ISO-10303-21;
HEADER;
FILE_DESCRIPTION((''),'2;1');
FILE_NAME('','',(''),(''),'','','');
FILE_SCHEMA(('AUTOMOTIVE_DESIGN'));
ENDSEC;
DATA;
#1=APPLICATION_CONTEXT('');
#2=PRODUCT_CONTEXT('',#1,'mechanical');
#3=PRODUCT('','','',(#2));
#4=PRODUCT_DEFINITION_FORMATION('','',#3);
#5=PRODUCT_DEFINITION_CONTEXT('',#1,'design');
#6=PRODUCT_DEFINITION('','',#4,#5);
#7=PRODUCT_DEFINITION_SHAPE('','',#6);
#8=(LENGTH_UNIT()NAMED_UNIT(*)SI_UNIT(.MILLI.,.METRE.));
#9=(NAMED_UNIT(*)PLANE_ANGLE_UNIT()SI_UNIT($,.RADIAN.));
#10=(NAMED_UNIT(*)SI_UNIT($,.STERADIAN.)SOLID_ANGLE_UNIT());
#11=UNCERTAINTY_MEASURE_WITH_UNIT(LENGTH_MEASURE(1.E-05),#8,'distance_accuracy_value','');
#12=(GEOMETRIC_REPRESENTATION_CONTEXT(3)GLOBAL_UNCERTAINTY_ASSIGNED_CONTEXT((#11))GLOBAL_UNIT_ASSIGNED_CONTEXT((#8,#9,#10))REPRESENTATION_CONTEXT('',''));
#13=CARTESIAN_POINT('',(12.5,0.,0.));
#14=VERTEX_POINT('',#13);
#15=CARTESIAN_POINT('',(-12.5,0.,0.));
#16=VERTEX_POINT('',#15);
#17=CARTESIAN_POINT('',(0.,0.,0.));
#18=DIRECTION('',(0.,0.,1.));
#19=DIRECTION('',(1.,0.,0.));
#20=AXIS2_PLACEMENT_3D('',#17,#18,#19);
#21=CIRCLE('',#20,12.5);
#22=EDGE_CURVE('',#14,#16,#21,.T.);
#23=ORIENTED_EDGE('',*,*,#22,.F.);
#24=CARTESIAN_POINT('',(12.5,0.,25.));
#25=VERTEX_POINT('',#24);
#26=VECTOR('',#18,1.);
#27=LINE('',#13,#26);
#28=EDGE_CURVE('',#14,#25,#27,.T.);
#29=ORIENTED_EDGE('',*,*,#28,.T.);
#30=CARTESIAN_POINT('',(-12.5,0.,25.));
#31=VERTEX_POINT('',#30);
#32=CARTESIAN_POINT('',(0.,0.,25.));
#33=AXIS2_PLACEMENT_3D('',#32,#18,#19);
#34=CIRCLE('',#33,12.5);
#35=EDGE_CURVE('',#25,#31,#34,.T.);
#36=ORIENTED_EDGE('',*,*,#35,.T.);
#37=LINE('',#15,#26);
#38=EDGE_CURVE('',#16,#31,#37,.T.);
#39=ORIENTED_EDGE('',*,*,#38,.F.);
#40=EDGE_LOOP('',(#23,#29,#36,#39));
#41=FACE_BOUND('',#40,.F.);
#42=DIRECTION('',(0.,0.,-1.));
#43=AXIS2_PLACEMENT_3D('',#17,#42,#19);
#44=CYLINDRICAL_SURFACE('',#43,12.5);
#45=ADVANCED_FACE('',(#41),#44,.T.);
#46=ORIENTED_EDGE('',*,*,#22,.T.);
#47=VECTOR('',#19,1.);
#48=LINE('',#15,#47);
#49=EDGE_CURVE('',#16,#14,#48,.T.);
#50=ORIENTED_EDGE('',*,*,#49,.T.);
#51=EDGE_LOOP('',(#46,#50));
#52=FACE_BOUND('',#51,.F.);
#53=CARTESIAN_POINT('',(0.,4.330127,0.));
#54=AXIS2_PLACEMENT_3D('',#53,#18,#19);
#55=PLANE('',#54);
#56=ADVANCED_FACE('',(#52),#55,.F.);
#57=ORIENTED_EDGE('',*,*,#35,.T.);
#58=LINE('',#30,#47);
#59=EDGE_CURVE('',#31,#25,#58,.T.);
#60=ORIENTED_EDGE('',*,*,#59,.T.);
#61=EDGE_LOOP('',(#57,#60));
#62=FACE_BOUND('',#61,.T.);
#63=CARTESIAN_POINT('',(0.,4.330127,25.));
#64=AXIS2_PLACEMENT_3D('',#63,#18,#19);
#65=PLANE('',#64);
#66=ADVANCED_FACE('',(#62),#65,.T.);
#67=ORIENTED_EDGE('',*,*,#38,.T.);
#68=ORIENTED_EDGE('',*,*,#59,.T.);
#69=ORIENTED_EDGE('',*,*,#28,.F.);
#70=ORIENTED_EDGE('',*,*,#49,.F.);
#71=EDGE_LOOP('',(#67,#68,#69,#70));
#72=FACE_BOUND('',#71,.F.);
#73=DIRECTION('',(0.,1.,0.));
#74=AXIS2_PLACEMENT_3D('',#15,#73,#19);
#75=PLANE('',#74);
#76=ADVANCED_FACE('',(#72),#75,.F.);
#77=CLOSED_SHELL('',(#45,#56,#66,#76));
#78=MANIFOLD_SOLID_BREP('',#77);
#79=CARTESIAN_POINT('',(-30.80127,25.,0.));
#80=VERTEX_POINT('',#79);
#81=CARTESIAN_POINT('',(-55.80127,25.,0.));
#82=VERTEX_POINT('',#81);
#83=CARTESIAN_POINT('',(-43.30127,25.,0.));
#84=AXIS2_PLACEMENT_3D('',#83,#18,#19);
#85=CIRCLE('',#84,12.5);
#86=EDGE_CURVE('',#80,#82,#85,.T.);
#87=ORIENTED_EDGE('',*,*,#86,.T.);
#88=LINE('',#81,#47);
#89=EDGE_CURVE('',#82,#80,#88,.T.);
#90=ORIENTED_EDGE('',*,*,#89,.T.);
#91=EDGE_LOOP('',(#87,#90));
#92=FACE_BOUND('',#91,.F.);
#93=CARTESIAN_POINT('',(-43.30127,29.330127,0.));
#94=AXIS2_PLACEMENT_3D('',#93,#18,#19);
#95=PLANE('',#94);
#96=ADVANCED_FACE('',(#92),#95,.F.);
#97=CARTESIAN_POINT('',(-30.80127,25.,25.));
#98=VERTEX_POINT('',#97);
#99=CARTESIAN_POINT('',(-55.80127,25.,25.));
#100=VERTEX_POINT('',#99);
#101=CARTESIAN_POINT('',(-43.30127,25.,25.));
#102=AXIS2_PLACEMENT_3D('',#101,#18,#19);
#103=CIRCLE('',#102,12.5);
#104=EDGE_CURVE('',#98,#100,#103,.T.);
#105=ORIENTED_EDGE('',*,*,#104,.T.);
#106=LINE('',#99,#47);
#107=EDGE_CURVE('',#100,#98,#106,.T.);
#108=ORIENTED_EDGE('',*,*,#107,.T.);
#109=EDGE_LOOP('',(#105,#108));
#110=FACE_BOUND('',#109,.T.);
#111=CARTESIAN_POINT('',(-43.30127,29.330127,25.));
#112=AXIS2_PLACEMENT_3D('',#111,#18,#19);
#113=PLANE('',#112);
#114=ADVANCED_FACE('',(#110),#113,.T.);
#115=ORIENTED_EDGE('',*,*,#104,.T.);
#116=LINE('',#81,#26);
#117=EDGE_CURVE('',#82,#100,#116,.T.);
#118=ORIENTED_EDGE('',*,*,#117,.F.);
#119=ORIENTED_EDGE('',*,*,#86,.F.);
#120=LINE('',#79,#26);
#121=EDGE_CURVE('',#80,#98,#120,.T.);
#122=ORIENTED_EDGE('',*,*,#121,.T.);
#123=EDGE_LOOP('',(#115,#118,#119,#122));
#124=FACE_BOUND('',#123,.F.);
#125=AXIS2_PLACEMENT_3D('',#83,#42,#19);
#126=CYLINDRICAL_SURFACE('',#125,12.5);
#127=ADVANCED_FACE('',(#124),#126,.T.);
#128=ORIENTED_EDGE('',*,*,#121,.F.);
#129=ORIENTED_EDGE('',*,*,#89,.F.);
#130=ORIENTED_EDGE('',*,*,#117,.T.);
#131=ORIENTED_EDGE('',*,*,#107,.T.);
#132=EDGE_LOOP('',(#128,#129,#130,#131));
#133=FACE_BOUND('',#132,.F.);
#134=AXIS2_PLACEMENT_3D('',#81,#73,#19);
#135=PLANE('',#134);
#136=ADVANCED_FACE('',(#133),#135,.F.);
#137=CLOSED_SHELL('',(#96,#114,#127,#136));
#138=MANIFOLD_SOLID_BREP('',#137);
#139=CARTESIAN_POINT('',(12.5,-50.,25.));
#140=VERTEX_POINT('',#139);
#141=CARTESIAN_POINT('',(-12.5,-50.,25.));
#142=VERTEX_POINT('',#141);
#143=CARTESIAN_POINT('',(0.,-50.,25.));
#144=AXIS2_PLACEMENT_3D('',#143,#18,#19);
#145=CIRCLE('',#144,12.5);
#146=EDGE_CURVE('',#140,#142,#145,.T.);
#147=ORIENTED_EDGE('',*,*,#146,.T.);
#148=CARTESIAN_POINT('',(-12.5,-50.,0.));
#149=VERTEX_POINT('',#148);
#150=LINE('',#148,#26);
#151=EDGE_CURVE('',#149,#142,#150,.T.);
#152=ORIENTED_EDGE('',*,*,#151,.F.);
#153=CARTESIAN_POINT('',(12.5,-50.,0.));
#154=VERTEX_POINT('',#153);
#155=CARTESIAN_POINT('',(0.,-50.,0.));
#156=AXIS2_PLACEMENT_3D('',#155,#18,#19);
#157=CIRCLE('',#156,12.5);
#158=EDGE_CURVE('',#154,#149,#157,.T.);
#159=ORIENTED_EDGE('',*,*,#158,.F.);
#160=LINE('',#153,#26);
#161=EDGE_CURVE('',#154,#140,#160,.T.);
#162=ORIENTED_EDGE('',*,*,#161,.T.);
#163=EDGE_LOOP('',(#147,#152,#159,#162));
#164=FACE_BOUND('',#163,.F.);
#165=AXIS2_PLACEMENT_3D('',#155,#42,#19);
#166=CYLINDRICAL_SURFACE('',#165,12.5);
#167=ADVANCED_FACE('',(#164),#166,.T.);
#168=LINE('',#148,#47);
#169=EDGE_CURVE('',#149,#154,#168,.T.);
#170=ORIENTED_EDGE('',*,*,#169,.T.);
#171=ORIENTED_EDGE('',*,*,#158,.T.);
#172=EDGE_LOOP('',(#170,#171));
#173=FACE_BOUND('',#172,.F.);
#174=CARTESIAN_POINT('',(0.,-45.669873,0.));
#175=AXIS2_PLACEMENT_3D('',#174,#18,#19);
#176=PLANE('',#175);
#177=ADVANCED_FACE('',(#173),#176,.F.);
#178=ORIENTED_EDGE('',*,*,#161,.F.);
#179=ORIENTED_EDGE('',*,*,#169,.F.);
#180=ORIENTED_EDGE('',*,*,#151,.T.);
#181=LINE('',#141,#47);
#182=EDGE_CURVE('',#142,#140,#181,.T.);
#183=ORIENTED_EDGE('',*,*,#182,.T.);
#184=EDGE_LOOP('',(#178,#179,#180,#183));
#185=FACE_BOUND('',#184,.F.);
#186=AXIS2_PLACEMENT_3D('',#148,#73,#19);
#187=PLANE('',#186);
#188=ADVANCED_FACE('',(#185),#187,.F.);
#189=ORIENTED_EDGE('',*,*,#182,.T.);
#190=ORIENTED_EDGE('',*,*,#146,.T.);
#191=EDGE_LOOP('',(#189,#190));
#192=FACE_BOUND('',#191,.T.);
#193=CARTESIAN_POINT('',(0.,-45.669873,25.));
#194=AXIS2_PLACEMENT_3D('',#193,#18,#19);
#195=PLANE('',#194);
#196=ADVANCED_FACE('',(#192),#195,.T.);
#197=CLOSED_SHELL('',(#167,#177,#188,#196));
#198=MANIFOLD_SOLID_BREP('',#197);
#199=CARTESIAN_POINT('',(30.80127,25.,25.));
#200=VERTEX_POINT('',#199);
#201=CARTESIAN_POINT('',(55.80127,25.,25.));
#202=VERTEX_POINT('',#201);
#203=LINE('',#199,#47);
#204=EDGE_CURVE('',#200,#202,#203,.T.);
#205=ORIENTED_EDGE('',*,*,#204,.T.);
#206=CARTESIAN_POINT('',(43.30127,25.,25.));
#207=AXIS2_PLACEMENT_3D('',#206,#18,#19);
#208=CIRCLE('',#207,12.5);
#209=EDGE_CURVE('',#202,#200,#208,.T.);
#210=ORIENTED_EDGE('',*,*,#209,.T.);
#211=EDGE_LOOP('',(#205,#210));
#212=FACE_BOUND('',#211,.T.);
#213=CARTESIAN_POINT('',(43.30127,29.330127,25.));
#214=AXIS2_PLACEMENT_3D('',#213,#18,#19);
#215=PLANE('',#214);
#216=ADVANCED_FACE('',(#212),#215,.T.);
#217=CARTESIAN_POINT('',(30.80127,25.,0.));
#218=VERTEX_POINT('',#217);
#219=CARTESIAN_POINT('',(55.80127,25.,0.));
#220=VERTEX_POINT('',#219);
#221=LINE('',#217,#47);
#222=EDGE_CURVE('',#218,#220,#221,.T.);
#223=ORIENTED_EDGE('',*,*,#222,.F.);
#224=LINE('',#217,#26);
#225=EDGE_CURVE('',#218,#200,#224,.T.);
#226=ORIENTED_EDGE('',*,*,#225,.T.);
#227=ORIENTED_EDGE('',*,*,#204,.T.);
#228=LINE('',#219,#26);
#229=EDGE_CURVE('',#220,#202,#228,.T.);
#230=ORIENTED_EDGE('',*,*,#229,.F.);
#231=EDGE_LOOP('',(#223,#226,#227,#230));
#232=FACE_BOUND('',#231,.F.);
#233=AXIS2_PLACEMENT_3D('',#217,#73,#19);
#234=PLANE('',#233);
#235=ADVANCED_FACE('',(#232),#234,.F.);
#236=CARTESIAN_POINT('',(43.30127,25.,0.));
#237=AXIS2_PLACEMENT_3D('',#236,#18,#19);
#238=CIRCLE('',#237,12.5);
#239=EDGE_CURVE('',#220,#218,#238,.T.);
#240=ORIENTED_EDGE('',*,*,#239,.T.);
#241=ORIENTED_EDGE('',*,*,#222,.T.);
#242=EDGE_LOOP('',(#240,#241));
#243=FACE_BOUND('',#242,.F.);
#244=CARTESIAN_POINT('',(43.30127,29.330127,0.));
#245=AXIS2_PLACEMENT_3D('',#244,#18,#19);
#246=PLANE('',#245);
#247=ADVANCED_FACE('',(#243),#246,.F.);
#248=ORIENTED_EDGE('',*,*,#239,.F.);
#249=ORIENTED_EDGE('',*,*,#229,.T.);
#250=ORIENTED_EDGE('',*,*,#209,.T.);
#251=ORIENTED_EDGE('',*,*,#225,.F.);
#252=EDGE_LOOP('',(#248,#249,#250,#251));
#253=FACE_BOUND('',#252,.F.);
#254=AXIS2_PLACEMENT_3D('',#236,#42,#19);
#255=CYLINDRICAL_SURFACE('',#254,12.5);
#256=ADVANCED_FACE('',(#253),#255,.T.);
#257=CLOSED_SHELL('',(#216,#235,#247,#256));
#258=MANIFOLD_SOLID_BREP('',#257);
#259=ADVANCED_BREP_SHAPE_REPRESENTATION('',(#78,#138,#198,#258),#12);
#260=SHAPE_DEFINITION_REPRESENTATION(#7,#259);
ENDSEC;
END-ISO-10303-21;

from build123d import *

# Parameters (mm, degrees)
F1_DEPTH = 25


with BuildPart() as f1:
    # F0 (on Top) → F1 (new body)
    with BuildSketch(Plane.XY):
        with BuildLine():
            Line((-55.80127, 25), (-30.80127, 25))
            ThreePointArc((-30.80127, 25), (-43.30127, 37.5), (-55.80127, 25))
        make_face()
        with BuildLine():
            Line((-12.5, 0), (12.5, 0))
            ThreePointArc((12.5, 0), (0, 12.5), (-12.5, 0))
        make_face()
        with BuildLine():
            Line((30.80127, 25), (55.80127, 25))
            ThreePointArc((55.80127, 25), (43.30127, 37.5), (30.80127, 25))
        make_face()
        with BuildLine():
            Line((-12.5, -50), (12.5, -50))
            ThreePointArc((12.5, -50), (0, -37.5), (-12.5, -50))
        make_face()
    extrude(amount=F1_DEPTH)


solid = f1.part
